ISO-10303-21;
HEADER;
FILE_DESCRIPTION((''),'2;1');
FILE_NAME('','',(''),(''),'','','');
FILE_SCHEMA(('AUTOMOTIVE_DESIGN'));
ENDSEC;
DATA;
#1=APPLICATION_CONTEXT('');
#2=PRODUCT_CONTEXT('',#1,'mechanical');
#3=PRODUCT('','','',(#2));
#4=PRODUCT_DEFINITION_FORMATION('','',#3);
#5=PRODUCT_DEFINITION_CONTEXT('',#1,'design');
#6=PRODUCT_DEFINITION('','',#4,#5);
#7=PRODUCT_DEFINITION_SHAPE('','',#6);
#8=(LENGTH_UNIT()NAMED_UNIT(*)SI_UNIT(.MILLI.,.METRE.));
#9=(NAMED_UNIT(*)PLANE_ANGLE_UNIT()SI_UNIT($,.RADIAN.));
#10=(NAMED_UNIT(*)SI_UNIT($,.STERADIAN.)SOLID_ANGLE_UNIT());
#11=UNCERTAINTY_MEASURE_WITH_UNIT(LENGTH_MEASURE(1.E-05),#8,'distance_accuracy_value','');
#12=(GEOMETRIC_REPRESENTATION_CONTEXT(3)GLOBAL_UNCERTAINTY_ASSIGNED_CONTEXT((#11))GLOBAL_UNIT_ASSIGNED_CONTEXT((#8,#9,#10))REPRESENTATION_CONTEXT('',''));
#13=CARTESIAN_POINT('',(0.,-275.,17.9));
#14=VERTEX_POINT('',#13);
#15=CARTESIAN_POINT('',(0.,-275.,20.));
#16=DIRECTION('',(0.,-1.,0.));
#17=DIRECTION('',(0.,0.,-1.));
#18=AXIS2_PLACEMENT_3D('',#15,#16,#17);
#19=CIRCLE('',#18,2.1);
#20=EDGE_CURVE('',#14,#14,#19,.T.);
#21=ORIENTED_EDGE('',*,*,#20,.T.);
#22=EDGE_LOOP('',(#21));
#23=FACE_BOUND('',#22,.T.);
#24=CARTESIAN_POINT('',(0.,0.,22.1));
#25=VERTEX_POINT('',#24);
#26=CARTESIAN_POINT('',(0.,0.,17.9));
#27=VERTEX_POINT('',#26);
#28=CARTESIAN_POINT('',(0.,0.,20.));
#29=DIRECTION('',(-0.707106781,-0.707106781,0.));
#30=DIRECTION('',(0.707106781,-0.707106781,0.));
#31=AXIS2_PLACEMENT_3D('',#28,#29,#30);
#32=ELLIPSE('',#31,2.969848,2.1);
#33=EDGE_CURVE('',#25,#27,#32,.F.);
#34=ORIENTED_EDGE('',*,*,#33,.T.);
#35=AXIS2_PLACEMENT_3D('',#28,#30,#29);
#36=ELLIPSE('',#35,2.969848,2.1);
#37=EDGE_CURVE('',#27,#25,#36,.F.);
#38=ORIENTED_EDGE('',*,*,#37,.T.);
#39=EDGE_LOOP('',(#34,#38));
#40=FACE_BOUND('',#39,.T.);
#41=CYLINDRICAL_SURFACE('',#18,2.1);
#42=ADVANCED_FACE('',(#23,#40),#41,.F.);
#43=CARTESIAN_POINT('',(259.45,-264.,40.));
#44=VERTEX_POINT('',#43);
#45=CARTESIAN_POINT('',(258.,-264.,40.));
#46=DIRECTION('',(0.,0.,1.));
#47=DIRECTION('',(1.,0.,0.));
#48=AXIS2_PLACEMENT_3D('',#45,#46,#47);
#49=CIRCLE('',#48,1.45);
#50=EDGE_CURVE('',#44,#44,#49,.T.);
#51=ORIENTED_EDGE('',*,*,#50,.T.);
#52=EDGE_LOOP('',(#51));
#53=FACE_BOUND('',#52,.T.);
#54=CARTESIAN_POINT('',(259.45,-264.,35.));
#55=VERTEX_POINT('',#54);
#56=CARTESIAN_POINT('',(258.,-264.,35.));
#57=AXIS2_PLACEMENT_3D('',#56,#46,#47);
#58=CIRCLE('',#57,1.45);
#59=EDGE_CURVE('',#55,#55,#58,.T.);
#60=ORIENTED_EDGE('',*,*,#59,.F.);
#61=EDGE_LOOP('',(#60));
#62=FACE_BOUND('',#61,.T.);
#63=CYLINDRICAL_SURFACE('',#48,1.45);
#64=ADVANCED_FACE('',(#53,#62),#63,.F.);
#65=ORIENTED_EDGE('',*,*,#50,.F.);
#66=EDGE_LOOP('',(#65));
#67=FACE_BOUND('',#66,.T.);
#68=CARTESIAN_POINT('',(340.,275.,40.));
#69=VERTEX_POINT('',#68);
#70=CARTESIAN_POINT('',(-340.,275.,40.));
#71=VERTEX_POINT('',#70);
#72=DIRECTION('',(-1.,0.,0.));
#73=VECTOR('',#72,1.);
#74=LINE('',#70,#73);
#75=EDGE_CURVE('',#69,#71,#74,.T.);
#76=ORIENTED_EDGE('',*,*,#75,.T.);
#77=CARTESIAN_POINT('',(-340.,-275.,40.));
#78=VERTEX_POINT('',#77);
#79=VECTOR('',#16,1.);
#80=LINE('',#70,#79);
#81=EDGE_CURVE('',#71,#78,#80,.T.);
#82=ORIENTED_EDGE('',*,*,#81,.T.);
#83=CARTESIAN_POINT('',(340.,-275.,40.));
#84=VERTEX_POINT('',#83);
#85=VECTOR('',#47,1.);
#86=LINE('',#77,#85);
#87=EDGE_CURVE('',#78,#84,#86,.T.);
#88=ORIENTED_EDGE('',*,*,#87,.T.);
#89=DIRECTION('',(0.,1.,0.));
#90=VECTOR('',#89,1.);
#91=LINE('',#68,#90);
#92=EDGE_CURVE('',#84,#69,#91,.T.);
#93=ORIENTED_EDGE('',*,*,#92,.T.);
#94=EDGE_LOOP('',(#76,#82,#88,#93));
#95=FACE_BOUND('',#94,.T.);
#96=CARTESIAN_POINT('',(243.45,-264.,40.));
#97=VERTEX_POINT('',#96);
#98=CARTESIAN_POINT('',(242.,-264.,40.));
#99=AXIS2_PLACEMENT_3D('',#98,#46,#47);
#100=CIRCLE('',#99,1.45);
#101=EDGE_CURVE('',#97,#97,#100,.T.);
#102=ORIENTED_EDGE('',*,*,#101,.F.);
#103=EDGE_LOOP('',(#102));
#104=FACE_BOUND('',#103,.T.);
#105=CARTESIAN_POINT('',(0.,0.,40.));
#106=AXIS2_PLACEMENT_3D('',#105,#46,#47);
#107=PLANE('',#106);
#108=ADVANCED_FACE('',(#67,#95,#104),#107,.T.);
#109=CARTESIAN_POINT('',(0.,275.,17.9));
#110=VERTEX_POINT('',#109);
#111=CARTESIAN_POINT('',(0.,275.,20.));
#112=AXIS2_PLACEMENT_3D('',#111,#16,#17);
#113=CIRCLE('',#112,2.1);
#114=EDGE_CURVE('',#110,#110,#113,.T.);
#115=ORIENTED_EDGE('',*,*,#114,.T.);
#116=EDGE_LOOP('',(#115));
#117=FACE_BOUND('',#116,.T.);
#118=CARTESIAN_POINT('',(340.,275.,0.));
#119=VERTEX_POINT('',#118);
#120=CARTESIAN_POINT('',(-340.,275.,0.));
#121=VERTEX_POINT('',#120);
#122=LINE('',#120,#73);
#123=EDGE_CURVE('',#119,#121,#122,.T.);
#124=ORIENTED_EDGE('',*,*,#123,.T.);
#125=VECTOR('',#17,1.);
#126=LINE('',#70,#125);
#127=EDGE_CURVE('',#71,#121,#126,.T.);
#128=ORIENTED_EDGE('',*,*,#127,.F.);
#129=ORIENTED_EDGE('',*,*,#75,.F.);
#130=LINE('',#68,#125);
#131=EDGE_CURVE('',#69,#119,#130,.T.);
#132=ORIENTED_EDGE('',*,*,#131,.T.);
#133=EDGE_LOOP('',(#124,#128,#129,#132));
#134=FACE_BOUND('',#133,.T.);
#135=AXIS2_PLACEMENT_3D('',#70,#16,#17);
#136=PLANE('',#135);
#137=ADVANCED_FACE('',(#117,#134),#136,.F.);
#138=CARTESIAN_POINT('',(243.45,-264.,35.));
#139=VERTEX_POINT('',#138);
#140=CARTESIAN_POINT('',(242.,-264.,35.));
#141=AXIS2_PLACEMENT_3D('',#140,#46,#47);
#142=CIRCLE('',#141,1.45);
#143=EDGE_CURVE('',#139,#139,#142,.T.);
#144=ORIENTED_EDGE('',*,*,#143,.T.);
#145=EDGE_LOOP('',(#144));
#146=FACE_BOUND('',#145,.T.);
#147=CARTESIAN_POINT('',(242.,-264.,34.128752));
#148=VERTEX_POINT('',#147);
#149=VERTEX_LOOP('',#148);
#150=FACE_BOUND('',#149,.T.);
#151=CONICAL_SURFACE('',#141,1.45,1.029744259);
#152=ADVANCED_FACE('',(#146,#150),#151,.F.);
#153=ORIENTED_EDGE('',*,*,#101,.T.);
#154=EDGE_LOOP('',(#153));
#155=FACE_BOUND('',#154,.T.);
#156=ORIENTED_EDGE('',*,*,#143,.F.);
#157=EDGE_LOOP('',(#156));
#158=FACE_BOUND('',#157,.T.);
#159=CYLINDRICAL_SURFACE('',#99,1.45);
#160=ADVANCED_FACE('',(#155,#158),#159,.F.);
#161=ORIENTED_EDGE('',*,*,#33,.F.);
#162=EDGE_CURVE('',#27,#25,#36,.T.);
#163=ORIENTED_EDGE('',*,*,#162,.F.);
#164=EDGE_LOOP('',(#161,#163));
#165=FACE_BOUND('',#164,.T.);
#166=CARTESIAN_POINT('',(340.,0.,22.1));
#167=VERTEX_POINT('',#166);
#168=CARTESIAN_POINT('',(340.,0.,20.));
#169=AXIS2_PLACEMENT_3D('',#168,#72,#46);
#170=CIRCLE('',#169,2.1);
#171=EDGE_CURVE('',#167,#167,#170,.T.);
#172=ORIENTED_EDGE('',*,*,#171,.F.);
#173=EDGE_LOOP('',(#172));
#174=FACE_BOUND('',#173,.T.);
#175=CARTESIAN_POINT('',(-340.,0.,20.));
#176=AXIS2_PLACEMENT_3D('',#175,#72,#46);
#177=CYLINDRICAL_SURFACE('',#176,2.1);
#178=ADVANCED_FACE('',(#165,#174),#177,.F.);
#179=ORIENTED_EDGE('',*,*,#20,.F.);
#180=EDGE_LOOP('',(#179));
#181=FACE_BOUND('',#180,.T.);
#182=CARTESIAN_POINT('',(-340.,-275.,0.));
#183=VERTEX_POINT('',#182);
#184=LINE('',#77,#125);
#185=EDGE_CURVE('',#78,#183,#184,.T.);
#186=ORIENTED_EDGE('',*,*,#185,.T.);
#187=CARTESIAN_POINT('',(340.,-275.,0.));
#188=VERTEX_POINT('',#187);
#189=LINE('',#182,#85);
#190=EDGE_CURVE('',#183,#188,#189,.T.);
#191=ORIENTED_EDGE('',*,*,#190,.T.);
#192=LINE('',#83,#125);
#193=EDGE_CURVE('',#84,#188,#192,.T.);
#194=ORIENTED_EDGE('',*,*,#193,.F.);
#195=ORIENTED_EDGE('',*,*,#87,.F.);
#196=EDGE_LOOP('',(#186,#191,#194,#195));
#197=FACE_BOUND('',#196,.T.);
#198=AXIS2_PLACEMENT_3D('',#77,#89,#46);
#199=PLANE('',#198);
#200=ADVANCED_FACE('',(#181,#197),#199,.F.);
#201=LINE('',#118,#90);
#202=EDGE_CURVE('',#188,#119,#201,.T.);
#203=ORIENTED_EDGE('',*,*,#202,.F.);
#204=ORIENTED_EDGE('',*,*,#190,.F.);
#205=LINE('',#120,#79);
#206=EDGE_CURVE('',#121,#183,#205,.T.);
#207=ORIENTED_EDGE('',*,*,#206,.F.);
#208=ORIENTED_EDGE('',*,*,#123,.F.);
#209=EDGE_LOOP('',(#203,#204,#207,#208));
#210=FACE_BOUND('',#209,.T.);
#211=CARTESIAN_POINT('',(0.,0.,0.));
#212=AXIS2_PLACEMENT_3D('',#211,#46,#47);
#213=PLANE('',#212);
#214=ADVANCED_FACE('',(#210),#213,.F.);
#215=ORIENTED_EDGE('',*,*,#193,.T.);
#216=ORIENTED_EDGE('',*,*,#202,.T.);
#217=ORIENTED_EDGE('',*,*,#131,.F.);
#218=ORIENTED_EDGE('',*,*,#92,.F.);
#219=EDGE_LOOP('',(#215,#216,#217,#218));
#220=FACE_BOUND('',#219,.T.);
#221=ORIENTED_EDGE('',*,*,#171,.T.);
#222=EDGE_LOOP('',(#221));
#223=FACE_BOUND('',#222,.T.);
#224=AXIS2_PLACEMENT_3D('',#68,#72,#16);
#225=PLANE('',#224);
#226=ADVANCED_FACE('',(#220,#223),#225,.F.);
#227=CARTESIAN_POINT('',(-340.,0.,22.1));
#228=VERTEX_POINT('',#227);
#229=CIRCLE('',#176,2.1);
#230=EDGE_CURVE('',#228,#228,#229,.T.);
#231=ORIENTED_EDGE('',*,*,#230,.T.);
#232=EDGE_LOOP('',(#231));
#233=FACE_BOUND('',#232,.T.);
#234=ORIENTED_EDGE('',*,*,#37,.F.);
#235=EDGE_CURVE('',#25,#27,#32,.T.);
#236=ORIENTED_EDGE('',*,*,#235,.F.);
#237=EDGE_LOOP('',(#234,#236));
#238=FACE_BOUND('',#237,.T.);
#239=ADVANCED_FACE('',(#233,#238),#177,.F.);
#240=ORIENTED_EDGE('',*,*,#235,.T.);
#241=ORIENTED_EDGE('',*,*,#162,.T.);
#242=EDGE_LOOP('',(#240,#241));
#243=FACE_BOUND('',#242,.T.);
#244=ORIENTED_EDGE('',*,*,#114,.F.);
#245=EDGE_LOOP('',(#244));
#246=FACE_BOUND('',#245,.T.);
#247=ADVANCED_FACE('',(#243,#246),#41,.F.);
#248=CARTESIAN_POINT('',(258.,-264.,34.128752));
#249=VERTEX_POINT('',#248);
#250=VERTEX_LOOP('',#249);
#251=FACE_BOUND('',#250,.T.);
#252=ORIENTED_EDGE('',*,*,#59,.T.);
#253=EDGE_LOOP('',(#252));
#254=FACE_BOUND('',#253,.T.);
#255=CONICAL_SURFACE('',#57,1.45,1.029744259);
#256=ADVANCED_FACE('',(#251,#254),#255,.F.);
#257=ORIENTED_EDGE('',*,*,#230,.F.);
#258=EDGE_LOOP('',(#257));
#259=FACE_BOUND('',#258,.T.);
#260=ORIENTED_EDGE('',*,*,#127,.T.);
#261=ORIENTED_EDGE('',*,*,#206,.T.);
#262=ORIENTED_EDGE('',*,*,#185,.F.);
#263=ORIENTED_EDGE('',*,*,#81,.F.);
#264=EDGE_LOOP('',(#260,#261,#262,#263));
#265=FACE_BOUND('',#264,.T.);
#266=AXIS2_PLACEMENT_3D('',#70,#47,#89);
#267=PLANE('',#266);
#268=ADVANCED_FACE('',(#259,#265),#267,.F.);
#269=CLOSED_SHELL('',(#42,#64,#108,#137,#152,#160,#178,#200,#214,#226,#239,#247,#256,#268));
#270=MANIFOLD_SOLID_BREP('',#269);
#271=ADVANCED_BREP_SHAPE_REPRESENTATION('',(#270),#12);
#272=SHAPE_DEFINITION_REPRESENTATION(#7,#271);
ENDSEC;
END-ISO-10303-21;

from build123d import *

# Parameters (mm, degrees)
SKETCH_1_W               = 680
SKETCH_1_H               = 550
EXTRUDE_1_DEPTH          = 40
HOLE_WIZARD_M5_1_D       = 4.2
HOLE_WIZARD_M5_2_D       = 4.2
HOLE_WIZARD_M3_5_1_D     = 2.9
HOLE_WIZARD_M3_5_1_DEPTH = 5
HOLE_WIZARD_M3_5_1_TIP   = 0.871247898


with BuildPart() as part:
    # 草图1 → 凸台-拉伸1 (new body)
    with BuildSketch(Plane.XY):
        Rectangle(SKETCH_1_W, SKETCH_1_H)
    extrude(amount=EXTRUDE_1_DEPTH)

    # M5 螺纹孔1 (through all)
    with Locations(Plane(origin=(0, -275, 0), x_dir=(-1, 0, 0), z_dir=(0, -1, 0))):
        with Locations((0, -20)):
            Hole(HOLE_WIZARD_M5_1_D / 2)

    # M5 螺纹孔2 (through all)
    with Locations(Plane.ZY.offset(340)):
        with Locations((20, 0)):
            Hole(HOLE_WIZARD_M5_2_D / 2)

    # M3.5 螺纹孔1
    with Locations(Plane.XY.offset(40)):
        with Locations((258, -264), (242, -264)):
            Hole(HOLE_WIZARD_M3_5_1_D / 2, depth=HOLE_WIZARD_M3_5_1_DEPTH)
            with Locations((0, 0, -(HOLE_WIZARD_M3_5_1_DEPTH + HOLE_WIZARD_M3_5_1_TIP / 2))):  # 118° drill point
                Cone(0, HOLE_WIZARD_M3_5_1_D / 2, HOLE_WIZARD_M3_5_1_TIP, mode=Mode.SUBTRACT)


solid = part.part
